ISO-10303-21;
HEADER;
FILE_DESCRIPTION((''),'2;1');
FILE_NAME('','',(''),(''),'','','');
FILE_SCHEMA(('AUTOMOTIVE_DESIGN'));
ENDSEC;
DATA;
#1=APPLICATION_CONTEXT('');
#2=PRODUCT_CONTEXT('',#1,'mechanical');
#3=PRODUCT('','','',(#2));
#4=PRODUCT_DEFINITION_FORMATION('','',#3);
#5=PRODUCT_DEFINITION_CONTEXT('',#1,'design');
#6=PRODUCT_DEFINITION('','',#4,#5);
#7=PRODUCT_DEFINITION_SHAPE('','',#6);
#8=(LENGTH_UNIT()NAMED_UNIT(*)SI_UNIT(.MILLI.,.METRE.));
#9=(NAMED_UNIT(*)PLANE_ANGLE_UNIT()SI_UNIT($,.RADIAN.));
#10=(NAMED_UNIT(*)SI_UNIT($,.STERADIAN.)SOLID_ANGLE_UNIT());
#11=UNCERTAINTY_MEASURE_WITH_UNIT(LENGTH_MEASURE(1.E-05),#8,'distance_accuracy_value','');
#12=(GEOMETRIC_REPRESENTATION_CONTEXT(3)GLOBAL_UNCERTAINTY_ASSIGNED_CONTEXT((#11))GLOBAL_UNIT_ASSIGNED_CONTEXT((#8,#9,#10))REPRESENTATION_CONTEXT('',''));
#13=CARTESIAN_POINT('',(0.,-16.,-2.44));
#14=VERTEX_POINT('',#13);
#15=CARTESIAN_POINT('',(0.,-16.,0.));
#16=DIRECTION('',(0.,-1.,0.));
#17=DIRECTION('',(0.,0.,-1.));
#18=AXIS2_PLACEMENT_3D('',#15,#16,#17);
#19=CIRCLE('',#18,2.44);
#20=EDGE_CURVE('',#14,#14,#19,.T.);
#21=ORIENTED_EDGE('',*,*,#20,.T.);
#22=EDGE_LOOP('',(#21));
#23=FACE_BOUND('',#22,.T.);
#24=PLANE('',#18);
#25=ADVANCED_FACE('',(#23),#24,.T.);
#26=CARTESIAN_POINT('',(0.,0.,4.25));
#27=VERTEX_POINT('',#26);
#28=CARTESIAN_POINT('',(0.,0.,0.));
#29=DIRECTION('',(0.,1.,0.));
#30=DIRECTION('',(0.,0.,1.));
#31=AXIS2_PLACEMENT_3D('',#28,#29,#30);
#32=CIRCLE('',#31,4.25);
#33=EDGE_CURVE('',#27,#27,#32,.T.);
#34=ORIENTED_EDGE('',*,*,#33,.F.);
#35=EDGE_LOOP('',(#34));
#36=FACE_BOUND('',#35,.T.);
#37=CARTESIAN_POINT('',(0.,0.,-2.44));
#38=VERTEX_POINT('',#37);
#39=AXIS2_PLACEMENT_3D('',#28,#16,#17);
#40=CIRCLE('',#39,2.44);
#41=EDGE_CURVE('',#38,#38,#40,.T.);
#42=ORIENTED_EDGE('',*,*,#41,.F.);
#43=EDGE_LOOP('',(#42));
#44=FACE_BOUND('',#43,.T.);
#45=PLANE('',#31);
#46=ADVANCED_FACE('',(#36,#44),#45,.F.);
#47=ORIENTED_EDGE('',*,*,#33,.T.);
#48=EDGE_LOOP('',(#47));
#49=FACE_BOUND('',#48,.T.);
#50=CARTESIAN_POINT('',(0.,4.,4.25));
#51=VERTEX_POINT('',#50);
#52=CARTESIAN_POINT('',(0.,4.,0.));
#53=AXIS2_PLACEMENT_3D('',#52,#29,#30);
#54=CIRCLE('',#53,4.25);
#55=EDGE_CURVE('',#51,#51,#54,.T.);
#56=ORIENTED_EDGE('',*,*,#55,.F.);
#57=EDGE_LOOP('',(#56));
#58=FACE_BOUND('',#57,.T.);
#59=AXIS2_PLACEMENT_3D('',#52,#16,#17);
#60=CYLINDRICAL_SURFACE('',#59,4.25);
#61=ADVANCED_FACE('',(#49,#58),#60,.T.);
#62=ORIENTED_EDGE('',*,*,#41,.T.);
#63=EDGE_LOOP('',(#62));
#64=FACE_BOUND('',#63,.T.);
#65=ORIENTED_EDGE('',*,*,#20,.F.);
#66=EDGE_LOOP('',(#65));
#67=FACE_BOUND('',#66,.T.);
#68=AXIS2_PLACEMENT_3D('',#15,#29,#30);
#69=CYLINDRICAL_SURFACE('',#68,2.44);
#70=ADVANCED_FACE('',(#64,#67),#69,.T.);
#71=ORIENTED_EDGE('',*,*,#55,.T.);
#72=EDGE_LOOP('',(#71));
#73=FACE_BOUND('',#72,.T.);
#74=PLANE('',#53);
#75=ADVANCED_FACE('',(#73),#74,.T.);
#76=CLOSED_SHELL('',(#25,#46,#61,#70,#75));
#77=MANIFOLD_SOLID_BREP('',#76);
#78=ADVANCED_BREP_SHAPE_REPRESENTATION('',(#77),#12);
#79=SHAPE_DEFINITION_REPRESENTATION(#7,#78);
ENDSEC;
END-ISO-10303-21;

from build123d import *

# Parameters (mm, degrees)
SKETCH1_R           = 4.25
BOSS_EXTRUDE1_DEPTH = 4
SKETCH2_R           = 2.44
BOSS_EXTRUDE2_DEPTH = 16


with BuildPart() as part:
    # Sketch1 → Boss-Extrude1 (new body)
    with BuildSketch(Plane(origin=(0, 0, 0), x_dir=(1, 0, 0), z_dir=(0, 1, 0))):
        Circle(SKETCH1_R)
    extrude(amount=BOSS_EXTRUDE1_DEPTH)

    # Sketch2 → Boss-Extrude2 (add)
    with BuildSketch(Plane.XZ):
        Circle(SKETCH2_R)
    extrude(amount=BOSS_EXTRUDE2_DEPTH)


solid = part.part
